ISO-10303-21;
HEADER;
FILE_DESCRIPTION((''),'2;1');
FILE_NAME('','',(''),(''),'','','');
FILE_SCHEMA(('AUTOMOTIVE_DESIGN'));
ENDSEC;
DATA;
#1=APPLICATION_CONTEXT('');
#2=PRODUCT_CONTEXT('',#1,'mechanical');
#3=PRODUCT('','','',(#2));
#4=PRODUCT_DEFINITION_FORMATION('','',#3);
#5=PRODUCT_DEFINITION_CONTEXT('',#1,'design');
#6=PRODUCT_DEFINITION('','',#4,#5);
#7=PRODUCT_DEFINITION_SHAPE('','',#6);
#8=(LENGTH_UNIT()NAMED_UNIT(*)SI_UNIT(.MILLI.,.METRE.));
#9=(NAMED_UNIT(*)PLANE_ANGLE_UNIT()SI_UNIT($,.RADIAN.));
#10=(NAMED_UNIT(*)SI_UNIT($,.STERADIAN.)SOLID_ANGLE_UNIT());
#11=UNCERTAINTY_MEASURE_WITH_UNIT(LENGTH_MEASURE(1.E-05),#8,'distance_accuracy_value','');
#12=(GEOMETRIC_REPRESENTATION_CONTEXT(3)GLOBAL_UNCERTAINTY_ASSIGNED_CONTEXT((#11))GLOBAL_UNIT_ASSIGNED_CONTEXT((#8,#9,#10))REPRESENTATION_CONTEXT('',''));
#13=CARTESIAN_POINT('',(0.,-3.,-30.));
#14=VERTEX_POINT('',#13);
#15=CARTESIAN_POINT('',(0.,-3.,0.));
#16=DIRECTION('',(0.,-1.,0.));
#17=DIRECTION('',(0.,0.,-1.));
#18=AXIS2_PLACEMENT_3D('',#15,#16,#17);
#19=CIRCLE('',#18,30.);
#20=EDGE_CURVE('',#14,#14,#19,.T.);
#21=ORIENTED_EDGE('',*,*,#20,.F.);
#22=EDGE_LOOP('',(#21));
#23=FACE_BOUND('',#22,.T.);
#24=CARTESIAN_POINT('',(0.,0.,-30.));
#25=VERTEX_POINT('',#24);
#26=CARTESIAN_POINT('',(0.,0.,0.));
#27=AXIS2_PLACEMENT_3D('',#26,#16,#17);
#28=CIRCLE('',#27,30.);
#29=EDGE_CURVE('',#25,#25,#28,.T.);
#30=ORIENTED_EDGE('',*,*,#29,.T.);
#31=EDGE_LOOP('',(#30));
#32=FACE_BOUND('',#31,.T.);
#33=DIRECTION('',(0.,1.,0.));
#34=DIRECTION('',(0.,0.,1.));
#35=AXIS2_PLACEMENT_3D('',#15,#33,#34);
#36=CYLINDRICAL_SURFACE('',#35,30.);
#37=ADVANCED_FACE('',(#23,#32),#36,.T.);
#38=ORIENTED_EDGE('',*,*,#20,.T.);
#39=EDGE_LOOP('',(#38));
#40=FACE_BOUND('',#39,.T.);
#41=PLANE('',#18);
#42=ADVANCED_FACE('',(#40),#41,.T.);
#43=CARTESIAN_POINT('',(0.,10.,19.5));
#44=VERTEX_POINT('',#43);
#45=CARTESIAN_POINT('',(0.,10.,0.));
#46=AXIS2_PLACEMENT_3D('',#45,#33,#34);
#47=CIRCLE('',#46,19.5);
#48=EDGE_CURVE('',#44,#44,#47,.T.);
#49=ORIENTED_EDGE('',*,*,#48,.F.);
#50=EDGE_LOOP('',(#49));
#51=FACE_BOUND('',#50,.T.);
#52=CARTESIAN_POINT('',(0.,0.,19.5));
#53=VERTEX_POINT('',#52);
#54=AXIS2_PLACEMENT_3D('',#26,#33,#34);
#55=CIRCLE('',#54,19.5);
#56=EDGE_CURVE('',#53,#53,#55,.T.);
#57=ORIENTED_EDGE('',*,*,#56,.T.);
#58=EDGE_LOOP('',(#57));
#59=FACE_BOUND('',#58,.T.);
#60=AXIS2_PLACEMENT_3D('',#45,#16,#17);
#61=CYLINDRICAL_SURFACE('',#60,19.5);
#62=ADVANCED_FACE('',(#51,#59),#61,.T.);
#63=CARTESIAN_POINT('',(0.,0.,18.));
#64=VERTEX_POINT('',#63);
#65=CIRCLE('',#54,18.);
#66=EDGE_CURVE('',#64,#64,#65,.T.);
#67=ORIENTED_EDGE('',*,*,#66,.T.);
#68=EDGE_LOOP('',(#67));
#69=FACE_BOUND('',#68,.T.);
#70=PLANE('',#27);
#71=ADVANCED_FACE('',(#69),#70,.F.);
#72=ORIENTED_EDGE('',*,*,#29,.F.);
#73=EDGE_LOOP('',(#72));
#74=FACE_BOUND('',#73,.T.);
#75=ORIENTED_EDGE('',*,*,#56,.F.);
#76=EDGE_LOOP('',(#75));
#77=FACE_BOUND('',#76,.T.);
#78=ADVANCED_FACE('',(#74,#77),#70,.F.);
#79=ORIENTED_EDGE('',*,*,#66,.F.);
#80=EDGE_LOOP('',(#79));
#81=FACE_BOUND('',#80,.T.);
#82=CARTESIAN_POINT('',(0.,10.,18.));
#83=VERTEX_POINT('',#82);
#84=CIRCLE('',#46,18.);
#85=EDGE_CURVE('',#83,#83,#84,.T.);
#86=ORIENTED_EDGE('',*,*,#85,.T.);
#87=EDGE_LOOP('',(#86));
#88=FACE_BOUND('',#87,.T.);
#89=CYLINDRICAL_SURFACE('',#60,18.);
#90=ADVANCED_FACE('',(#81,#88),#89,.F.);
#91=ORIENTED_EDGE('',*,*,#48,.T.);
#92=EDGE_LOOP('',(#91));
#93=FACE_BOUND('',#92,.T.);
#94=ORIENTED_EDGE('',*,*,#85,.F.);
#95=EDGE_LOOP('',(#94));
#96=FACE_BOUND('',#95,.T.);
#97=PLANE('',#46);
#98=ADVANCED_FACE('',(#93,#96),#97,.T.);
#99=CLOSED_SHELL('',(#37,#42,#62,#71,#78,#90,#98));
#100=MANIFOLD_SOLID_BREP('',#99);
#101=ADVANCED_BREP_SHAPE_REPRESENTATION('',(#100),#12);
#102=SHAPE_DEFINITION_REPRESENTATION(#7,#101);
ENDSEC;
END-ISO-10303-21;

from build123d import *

# Parameters (mm, degrees)
SKETCH_1_R      = 19.5
SKETCH_1_R_2    = 18
EXTRUDE_1_DEPTH = 10
SKETCH_3_R      = 30
EXTRUDE_2_DEPTH = 3


with BuildPart() as part:
    # 草圖1 → 填料-伸長1 (new body)
    with BuildSketch(Plane(origin=(0, 0, 0), x_dir=(1, 0, 0), z_dir=(0, 1, 0))):
        Circle(SKETCH_1_R)
        Circle(SKETCH_1_R_2, mode=Mode.SUBTRACT)
    extrude(amount=EXTRUDE_1_DEPTH)

    # 草圖3 → 填料-伸長2 (add)
    with BuildSketch(Plane.XZ):
        Circle(SKETCH_3_R)
    extrude(amount=EXTRUDE_2_DEPTH)


solid = part.part
